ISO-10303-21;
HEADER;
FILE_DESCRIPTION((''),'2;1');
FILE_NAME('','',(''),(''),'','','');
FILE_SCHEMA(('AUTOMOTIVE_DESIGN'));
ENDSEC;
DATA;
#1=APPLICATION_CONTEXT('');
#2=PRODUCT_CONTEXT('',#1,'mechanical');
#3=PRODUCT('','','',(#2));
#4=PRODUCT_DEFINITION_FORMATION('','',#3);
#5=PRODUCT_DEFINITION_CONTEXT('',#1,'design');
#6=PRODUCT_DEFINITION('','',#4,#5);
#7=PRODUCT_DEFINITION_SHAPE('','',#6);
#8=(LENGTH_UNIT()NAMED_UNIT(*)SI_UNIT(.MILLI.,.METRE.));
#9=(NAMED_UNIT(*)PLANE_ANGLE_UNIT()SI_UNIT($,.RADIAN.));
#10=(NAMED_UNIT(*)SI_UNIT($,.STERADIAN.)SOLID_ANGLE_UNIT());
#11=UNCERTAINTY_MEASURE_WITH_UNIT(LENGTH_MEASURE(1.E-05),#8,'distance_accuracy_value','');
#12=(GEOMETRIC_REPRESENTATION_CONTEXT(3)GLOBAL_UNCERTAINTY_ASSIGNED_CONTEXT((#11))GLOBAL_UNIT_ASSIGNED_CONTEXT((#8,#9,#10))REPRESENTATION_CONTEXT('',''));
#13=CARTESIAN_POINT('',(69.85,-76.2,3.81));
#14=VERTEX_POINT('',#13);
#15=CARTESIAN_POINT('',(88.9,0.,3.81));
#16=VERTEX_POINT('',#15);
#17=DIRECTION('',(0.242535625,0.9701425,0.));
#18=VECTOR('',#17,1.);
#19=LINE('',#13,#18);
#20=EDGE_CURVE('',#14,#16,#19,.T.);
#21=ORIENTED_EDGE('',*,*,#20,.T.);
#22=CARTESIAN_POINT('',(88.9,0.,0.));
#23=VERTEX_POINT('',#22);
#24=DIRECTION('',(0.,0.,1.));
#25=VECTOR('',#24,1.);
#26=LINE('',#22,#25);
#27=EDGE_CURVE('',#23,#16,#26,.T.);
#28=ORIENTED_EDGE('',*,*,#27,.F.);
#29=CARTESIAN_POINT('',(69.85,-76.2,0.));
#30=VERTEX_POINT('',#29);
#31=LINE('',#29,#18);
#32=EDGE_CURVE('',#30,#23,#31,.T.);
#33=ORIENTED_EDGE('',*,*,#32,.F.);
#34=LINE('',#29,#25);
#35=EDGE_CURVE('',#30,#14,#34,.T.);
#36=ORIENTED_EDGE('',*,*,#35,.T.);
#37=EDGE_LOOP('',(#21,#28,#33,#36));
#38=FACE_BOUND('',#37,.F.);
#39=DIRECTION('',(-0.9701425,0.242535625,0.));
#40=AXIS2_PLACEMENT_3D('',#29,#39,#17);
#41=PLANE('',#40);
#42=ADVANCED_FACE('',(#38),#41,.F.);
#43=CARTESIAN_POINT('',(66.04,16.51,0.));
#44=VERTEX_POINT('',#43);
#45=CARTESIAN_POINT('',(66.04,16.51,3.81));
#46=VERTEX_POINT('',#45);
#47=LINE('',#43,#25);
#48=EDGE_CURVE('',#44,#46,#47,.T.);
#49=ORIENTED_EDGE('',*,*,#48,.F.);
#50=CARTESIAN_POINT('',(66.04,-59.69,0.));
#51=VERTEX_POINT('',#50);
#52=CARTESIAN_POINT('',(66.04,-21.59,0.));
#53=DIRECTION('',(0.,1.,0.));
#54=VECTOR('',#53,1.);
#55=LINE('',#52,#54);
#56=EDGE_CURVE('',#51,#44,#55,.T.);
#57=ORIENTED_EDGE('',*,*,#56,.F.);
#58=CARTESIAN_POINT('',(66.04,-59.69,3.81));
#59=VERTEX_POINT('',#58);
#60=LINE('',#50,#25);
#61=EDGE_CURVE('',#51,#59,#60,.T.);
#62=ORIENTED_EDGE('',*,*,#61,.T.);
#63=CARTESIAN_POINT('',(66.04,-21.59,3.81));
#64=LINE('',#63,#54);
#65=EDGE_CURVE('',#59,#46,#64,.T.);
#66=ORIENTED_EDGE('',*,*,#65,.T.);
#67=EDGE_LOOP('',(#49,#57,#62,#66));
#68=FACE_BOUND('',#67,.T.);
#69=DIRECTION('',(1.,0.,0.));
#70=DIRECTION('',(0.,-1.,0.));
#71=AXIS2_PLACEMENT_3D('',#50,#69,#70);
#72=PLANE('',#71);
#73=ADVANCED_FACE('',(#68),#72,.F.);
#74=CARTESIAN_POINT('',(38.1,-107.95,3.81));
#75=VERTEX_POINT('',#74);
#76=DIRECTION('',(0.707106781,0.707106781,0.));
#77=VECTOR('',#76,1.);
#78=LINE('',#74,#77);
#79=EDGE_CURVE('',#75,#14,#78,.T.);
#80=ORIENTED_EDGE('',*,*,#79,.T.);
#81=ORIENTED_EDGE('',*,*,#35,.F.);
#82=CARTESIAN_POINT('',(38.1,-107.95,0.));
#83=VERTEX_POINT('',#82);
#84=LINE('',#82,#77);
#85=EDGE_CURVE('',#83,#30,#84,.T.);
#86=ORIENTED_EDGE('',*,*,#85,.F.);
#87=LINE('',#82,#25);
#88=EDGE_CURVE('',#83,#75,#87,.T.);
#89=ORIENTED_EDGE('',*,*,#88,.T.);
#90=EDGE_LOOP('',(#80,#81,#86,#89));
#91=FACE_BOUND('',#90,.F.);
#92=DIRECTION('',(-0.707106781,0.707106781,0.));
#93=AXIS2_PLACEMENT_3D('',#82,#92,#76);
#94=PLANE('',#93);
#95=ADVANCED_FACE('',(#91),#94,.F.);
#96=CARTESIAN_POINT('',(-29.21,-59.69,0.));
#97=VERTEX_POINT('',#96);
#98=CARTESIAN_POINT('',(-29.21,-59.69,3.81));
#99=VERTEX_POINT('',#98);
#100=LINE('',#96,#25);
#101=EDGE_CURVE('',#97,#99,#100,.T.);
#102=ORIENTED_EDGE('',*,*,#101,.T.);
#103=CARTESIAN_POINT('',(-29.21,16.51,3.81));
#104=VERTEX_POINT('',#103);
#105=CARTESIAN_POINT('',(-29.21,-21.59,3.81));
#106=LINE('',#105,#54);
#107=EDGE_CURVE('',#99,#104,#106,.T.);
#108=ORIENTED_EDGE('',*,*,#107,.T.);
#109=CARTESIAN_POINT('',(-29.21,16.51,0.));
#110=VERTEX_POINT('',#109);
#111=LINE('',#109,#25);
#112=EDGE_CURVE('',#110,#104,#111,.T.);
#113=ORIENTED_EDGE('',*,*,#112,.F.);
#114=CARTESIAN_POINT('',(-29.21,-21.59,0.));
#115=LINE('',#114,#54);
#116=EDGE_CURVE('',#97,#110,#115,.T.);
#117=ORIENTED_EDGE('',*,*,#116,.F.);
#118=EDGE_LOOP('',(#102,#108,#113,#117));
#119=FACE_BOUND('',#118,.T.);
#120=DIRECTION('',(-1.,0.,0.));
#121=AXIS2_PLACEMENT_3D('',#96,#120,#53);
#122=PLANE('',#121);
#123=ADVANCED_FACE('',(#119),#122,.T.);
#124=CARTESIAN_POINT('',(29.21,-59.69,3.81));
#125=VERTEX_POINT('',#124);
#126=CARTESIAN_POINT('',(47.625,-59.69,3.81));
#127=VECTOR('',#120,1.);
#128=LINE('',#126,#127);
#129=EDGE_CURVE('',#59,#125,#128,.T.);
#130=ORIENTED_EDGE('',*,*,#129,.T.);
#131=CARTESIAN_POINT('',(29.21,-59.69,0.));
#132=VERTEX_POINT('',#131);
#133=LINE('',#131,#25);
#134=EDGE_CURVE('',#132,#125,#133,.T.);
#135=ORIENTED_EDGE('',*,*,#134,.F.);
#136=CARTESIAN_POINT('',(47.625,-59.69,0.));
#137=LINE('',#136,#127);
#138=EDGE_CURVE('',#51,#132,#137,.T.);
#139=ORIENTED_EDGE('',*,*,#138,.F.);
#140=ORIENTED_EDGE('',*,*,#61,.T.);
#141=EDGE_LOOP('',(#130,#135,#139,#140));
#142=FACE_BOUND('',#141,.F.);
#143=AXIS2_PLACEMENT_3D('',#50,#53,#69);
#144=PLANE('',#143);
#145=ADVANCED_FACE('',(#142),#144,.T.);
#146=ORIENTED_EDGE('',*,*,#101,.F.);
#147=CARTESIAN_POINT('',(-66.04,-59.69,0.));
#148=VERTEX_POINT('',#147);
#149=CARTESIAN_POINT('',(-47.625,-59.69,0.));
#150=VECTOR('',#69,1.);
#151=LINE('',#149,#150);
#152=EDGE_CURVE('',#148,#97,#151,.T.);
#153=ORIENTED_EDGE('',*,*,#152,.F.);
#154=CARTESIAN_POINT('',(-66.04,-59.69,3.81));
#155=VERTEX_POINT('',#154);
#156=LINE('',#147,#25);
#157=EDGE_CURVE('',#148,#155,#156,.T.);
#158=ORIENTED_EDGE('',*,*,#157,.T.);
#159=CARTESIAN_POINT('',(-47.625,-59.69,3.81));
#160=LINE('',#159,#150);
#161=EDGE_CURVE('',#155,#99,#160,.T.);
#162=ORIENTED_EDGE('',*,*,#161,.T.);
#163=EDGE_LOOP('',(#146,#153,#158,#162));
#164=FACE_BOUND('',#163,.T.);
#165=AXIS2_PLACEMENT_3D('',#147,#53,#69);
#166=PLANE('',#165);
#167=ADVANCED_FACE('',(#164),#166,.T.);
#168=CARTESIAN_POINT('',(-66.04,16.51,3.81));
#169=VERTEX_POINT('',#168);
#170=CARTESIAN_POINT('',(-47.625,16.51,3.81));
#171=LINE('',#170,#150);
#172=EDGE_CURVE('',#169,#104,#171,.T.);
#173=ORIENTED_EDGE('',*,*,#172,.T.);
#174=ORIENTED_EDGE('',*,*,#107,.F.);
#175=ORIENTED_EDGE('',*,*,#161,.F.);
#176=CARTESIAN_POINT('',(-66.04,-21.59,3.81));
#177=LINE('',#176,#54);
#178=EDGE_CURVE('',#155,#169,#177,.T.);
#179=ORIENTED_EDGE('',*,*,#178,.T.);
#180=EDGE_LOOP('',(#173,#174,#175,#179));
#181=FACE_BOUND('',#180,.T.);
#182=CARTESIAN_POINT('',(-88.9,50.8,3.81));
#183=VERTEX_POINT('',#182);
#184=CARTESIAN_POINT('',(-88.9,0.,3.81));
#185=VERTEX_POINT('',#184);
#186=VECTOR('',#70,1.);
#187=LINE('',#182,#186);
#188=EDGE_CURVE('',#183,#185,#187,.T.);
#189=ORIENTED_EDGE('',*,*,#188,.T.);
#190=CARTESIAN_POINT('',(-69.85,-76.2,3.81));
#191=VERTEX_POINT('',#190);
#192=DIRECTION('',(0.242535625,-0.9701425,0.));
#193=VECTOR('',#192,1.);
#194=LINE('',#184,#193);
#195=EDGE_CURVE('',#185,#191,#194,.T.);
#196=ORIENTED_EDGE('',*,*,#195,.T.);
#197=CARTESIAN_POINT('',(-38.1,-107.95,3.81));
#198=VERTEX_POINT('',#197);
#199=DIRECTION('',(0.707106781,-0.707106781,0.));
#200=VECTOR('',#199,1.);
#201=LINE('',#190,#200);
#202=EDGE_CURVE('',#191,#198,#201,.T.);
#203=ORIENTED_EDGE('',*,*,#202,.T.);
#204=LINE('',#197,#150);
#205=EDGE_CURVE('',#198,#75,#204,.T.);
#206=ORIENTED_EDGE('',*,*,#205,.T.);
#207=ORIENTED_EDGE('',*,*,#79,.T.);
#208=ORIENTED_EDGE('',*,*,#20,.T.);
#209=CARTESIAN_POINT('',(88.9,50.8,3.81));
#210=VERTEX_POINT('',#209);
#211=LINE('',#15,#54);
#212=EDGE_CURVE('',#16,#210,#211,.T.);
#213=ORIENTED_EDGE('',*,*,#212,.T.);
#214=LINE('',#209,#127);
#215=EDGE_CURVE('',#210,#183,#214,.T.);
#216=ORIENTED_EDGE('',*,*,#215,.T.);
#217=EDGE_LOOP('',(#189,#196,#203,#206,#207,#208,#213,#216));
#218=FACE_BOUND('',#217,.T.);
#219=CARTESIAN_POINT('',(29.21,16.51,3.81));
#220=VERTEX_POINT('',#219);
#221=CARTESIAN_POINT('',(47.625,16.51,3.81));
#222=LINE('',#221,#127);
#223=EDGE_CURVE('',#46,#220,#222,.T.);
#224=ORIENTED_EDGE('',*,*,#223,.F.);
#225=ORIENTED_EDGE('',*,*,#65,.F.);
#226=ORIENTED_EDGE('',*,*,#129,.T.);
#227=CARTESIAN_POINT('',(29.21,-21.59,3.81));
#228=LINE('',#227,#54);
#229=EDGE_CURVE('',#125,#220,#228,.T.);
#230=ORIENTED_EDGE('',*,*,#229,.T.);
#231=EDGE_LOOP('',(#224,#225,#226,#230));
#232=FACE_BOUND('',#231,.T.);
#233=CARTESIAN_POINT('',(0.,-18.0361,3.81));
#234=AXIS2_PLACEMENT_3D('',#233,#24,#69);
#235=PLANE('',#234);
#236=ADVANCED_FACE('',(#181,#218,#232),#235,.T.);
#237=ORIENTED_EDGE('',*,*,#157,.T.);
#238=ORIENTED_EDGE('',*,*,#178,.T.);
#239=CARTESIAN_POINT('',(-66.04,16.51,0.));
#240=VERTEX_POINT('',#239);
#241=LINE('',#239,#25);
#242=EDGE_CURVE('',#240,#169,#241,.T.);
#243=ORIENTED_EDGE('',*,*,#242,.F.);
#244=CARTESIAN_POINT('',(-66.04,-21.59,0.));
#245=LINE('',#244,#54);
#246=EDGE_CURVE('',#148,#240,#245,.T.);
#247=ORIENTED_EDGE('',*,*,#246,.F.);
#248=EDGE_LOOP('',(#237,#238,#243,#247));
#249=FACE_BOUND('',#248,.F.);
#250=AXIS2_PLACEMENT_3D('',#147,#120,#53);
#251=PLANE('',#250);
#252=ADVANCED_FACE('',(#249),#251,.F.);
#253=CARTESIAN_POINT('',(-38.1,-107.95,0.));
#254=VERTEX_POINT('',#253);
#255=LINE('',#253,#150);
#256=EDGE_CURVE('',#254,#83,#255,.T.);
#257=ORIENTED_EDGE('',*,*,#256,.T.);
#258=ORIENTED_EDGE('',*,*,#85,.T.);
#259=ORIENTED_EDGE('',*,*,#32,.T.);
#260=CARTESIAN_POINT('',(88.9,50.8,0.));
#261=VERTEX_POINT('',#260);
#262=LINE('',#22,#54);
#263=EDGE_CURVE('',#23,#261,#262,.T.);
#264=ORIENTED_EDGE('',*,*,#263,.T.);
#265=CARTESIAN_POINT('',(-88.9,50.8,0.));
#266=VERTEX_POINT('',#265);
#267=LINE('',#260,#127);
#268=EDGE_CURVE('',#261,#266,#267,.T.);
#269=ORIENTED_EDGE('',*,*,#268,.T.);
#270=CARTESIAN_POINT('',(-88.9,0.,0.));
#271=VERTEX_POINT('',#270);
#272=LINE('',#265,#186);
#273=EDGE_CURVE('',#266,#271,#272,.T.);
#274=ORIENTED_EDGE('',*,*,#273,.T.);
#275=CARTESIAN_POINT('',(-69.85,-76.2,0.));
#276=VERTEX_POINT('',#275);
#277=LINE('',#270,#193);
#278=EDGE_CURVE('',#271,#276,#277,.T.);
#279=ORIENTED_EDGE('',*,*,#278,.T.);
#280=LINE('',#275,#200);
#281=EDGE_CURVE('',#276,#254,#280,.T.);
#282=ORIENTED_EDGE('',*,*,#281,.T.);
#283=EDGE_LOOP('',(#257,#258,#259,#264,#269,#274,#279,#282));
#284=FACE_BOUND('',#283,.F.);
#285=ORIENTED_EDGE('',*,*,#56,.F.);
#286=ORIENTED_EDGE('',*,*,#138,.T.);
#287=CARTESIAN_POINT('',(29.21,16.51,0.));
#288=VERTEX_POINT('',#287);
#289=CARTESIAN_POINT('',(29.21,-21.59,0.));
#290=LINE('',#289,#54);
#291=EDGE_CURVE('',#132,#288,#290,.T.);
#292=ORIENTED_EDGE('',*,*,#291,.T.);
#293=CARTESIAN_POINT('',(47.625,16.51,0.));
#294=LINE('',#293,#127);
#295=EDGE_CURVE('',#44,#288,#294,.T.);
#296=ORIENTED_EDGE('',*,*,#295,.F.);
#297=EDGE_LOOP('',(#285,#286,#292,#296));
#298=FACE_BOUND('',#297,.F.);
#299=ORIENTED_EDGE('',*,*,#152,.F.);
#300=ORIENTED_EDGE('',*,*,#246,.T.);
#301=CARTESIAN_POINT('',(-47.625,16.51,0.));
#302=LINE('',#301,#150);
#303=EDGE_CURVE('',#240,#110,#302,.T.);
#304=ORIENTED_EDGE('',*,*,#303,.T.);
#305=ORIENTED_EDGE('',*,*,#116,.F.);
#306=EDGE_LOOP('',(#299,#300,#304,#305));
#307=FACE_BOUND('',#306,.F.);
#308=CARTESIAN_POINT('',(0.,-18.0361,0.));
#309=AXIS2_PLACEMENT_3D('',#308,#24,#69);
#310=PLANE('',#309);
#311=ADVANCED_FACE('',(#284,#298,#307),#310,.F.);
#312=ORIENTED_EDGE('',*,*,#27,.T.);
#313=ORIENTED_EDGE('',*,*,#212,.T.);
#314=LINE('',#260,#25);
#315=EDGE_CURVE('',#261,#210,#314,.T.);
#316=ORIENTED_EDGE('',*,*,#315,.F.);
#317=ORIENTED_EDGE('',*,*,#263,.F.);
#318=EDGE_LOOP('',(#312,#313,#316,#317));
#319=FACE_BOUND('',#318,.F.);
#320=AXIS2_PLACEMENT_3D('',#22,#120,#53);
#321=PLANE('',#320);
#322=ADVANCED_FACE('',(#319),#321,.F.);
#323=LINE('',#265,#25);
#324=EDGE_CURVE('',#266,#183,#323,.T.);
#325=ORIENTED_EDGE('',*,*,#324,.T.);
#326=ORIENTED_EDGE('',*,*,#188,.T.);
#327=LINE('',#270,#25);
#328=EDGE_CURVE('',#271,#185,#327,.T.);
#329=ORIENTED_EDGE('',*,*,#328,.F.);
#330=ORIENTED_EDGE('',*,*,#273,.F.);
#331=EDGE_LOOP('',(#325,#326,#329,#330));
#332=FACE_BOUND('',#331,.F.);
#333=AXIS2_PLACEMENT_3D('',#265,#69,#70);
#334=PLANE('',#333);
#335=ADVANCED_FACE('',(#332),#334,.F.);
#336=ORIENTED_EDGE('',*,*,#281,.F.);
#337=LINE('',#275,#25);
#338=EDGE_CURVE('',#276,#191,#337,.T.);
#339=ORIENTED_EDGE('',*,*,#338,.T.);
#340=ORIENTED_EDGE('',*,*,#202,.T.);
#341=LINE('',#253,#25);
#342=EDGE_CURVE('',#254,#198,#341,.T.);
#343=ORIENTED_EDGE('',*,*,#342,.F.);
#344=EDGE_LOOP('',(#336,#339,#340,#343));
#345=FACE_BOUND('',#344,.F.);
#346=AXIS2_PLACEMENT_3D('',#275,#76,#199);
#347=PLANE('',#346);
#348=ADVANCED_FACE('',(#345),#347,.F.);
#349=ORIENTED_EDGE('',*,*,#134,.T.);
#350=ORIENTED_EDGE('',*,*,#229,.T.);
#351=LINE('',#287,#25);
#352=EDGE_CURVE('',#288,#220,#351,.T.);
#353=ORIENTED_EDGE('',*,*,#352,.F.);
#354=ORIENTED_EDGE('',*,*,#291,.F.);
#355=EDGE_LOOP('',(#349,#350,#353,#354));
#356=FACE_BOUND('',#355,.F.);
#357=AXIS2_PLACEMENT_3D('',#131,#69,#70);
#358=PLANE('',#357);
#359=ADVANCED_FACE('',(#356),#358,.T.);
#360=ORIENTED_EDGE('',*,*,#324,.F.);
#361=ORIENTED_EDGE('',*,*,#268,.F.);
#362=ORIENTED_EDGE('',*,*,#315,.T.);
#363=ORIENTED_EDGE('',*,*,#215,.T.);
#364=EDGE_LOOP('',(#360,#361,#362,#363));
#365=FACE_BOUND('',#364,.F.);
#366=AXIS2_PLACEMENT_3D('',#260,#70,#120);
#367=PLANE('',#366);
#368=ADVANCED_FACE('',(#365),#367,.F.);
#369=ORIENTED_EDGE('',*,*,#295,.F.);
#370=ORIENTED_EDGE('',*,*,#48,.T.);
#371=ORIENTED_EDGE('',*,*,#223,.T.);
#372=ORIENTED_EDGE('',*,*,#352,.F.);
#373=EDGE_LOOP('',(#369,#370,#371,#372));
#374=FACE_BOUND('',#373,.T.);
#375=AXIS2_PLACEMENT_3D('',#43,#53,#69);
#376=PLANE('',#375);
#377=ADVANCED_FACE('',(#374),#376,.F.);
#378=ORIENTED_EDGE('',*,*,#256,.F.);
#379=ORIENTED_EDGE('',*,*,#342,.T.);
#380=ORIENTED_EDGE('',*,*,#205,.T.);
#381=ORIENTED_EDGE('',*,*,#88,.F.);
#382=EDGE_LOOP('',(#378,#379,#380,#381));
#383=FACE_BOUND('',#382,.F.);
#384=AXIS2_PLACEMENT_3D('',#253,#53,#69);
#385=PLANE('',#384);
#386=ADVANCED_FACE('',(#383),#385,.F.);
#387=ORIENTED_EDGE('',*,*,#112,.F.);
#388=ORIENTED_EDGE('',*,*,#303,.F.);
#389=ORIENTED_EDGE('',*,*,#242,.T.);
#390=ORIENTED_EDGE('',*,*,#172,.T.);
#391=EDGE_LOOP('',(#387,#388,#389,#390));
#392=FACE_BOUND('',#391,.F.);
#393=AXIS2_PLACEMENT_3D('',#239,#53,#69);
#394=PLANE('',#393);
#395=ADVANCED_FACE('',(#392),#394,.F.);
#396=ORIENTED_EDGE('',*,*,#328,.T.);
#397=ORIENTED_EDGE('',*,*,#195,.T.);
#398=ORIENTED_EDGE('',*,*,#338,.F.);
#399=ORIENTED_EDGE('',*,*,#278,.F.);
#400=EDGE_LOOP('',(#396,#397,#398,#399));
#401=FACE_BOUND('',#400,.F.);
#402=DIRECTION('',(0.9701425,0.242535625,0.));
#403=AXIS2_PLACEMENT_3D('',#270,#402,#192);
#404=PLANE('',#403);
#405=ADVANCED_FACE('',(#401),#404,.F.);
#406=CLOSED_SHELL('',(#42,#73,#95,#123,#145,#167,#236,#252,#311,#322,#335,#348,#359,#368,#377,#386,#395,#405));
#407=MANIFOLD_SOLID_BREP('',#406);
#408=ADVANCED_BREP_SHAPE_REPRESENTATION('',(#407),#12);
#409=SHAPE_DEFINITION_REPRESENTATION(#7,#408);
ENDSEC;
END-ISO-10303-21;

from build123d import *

# Parameters (mm, degrees)
F0_W     = 36.83
F0_H     = 76.2
F1_DEPTH = 3.81


with BuildPart() as f1:
    # F0 (on Top) → F1 (new body)
    with BuildSketch(Plane.XY):
        Polygon((88.9, 50.8), (0, 50.8), (-88.9, 50.8), (-88.9, 0), (-69.85, -76.2), (-38.1, -107.95), (0, -107.95), (38.1, -107.95), (69.85, -76.2), (88.9, 0), align=None)
        with Locations((-47.625, -21.59)):
            Rectangle(F0_W, F0_H, mode=Mode.SUBTRACT)
    extrude(amount=F1_DEPTH)

    # F2: F1 across plane


with BuildPart() as f1_1:
    add(f1.part)
    add(f1.part.mirror(Plane.YZ), mode=Mode.INTERSECT)


solid = f1_1.part
